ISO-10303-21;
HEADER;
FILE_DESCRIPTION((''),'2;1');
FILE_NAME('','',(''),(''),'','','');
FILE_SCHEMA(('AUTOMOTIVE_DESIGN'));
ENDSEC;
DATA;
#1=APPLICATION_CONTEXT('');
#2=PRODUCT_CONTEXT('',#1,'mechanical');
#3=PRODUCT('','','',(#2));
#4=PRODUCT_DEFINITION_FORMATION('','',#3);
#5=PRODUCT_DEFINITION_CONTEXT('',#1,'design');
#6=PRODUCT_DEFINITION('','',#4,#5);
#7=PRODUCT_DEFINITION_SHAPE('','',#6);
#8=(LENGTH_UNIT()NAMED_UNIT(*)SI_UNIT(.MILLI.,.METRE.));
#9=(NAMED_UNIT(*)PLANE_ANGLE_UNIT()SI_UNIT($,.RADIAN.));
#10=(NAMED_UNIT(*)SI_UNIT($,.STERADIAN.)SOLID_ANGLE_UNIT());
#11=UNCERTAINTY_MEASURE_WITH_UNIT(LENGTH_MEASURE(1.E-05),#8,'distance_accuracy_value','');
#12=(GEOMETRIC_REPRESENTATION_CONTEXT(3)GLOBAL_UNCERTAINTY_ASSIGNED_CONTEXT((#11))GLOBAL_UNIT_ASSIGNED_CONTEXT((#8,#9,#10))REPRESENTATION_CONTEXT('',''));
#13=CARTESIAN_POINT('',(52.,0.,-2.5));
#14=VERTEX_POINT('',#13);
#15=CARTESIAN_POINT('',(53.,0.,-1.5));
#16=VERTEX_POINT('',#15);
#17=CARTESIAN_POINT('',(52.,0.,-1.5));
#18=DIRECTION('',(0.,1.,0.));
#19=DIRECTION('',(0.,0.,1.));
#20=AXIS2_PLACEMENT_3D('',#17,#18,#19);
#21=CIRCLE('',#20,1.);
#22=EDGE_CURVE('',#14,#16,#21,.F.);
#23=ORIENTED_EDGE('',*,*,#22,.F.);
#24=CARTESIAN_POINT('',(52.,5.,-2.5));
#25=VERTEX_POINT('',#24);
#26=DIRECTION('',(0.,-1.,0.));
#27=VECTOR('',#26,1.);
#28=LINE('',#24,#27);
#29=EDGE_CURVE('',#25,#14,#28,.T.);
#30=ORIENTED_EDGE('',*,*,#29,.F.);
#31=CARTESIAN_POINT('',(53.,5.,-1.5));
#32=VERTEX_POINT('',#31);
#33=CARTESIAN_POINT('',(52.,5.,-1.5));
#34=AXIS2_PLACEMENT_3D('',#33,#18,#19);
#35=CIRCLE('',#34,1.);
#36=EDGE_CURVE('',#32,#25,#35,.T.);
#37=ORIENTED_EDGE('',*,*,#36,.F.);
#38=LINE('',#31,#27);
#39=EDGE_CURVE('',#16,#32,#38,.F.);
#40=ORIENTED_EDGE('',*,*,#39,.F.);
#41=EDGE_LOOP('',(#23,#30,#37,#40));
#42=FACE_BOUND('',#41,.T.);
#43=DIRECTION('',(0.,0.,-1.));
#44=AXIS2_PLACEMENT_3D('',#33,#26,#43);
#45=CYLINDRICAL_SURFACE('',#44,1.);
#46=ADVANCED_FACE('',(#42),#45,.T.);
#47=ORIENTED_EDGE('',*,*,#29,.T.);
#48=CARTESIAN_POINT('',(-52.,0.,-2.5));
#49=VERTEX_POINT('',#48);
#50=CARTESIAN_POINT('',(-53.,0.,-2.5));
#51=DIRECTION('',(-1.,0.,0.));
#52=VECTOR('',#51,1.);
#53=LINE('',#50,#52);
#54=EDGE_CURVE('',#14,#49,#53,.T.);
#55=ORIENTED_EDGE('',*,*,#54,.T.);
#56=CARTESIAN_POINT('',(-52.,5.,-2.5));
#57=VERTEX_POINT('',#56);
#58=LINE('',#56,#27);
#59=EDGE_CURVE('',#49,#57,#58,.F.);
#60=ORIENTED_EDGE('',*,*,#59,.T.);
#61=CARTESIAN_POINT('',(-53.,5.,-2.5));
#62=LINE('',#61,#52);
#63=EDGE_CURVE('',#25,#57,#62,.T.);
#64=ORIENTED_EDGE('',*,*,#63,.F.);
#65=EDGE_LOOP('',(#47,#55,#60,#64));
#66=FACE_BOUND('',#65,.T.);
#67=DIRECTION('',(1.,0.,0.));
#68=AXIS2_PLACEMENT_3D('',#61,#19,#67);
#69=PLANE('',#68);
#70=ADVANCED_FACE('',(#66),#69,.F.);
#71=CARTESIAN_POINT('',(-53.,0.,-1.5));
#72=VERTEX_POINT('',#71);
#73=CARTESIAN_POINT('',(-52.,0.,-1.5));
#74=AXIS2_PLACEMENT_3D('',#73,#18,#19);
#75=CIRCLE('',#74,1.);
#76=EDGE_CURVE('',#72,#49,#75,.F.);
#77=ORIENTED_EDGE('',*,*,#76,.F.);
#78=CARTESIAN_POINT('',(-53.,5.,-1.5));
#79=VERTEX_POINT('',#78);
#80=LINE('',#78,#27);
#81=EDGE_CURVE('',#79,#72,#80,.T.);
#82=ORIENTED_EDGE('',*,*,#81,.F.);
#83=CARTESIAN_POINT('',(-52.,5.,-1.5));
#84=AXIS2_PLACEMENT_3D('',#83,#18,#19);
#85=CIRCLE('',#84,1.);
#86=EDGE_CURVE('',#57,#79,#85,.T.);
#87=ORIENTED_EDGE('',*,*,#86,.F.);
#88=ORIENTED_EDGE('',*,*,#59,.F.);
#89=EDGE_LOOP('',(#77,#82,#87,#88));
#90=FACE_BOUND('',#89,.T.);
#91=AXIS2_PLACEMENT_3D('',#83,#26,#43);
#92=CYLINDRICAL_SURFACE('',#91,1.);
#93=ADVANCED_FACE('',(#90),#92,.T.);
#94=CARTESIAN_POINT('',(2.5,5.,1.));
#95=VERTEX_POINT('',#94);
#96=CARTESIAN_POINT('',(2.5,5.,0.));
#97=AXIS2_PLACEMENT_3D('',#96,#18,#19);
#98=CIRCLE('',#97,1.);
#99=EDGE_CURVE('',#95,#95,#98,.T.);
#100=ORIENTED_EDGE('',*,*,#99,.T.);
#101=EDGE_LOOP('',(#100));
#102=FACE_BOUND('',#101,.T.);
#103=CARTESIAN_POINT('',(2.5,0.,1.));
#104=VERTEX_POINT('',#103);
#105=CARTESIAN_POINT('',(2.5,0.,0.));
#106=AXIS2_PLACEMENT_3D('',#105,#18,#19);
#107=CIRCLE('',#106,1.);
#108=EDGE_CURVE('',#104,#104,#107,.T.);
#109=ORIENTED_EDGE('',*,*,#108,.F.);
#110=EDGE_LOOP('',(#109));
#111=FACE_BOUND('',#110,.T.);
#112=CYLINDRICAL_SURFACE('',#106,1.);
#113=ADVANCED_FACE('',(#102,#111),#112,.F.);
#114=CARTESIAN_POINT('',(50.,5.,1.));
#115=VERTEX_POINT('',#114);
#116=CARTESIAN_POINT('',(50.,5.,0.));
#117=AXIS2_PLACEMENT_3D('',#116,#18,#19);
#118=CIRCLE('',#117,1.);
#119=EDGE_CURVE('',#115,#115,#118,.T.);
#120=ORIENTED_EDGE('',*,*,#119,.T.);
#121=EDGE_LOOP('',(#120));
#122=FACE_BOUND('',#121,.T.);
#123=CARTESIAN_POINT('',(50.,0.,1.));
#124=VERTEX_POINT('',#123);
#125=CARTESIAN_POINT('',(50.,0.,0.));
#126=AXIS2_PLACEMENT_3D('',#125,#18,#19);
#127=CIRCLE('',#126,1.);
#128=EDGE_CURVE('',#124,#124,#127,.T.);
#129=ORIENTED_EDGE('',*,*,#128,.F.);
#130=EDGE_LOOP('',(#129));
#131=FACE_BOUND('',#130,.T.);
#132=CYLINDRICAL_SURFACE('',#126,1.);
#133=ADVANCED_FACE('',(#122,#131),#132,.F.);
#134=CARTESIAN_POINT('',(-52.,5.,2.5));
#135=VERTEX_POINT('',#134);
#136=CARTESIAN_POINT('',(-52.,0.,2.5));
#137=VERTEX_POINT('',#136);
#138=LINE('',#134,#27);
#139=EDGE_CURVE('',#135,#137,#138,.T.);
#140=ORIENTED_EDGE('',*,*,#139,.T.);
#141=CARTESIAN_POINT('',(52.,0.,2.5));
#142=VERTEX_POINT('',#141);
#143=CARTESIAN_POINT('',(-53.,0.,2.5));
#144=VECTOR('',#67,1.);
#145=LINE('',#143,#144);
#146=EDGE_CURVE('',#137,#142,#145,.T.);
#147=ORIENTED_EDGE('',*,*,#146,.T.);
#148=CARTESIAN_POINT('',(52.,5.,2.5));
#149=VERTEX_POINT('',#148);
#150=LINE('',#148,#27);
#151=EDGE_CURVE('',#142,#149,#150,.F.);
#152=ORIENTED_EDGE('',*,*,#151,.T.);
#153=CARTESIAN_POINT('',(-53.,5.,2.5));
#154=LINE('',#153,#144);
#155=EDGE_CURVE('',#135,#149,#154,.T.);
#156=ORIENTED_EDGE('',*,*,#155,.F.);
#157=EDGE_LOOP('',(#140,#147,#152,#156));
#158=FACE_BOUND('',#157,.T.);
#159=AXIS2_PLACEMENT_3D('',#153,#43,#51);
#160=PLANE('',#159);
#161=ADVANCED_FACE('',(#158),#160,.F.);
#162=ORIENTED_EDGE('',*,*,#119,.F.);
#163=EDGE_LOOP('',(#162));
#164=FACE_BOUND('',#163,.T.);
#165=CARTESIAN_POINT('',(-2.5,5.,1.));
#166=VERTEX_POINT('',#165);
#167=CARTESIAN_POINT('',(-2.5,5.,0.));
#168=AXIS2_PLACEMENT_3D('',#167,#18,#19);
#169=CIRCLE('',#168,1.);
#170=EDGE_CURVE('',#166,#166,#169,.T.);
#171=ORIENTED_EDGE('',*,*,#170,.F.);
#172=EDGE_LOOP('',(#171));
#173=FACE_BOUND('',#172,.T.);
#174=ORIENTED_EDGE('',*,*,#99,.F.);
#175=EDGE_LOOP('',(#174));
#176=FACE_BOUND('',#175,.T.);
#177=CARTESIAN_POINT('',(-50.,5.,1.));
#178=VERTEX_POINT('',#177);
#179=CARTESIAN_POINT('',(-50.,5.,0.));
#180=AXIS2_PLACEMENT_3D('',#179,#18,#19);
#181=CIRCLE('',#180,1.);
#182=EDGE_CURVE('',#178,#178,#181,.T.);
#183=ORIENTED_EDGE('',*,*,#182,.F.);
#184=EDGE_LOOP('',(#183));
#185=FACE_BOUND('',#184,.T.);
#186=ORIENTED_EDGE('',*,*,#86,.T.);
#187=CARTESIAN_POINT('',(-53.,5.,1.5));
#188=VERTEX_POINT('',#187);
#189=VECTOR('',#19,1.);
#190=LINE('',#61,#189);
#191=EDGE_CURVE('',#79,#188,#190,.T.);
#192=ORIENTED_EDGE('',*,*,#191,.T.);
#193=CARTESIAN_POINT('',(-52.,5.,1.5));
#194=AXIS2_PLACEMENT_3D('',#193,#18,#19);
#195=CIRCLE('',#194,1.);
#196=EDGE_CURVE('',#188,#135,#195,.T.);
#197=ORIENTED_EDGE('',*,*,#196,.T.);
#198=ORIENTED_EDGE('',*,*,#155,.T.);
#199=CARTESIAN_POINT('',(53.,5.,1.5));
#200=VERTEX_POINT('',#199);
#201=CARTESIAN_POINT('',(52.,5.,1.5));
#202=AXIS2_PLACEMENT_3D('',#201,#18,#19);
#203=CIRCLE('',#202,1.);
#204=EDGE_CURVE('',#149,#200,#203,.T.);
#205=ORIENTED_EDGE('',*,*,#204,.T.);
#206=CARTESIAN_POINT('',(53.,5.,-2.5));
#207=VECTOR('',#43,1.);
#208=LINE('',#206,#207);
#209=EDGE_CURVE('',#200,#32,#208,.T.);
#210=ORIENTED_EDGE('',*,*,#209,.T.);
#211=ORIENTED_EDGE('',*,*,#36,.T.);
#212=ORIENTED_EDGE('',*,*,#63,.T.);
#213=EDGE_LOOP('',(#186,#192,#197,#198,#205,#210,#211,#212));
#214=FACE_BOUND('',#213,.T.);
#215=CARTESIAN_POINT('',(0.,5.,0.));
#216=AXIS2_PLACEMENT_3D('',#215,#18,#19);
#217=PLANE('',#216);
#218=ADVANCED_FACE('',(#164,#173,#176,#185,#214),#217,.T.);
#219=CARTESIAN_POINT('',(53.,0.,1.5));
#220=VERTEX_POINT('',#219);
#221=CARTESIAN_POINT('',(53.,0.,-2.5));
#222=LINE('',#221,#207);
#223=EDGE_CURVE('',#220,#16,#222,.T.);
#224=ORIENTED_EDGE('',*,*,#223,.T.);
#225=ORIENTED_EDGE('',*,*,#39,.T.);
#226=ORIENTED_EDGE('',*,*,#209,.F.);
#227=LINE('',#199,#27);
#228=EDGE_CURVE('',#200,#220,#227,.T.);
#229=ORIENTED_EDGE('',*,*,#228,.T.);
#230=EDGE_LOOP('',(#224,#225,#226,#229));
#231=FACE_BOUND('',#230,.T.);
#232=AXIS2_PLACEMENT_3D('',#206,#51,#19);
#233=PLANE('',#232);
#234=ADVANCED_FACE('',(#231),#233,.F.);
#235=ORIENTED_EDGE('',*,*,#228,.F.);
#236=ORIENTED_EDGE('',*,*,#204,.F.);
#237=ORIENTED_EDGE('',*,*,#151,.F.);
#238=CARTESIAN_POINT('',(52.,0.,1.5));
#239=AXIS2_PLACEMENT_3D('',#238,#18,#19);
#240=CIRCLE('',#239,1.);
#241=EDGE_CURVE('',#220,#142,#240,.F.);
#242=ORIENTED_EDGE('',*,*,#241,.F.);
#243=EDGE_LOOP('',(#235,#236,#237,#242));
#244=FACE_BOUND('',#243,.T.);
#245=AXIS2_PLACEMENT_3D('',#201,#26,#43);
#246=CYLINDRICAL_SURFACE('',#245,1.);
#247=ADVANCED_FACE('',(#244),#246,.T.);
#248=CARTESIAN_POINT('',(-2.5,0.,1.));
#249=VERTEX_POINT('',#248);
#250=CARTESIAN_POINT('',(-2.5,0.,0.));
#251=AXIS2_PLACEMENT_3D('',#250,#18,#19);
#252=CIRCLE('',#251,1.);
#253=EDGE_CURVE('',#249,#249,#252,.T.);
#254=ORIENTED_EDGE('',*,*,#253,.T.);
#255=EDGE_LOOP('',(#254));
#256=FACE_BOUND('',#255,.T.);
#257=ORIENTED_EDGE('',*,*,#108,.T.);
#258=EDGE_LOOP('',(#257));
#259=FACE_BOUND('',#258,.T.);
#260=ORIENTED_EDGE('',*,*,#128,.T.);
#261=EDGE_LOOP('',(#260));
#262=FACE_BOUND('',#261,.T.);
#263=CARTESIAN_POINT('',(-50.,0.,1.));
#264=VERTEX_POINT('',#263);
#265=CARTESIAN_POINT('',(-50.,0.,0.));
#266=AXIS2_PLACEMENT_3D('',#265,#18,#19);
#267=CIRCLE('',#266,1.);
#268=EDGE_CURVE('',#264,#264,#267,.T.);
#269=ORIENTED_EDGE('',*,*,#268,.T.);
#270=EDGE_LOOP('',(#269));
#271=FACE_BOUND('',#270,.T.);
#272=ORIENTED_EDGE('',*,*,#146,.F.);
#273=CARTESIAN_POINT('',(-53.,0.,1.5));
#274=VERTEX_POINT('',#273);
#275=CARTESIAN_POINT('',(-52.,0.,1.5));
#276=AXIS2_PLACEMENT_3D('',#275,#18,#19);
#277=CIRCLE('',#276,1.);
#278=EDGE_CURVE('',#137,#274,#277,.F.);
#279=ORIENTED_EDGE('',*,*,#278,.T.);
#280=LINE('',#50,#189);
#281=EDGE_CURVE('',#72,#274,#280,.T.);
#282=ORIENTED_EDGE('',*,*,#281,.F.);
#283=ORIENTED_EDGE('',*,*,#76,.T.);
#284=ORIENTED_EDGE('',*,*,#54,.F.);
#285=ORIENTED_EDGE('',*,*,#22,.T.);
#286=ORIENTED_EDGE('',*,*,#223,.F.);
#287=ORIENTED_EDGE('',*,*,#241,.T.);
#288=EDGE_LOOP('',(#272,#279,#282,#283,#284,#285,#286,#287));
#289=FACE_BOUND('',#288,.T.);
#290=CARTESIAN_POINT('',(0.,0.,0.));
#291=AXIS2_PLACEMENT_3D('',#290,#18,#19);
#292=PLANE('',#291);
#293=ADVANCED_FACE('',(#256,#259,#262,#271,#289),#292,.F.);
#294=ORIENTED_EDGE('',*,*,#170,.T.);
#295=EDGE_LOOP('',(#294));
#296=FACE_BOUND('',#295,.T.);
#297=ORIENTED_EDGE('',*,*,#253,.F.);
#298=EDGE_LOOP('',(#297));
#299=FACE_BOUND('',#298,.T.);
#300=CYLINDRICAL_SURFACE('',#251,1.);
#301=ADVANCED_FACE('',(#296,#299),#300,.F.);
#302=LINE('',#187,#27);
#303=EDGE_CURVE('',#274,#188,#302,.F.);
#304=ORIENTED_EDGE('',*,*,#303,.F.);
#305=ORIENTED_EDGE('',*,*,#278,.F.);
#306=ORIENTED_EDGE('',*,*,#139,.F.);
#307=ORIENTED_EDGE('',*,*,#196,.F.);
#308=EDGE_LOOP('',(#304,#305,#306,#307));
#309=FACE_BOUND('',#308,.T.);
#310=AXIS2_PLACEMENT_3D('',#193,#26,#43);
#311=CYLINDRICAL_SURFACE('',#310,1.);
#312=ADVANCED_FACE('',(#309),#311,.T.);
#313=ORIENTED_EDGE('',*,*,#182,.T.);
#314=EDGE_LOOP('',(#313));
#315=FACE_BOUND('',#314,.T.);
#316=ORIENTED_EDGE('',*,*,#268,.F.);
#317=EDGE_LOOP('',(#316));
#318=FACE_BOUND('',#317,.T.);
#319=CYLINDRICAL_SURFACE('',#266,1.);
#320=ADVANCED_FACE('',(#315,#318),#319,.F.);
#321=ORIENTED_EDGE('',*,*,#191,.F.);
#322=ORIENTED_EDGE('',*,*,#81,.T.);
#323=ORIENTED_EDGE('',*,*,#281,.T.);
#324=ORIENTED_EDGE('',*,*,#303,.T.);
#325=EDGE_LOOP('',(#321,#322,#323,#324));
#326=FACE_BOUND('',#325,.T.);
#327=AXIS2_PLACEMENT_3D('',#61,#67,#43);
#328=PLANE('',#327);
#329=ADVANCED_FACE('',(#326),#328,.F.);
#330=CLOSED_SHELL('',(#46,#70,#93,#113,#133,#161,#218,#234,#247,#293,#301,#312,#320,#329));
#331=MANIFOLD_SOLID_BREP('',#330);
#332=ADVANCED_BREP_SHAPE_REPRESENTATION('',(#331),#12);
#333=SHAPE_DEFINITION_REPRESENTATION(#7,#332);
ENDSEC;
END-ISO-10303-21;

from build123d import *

# Parameters (mm, degrees)
SKETCH1_W           = 106
SKETCH1_H           = 5
BOSS_EXTRUDE1_DEPTH = 5
FILLET1_R           = 1
FILLET2_R           = 1
SKETCH2_R           = 1
CUT_EXTRUDE1_DEPTH  = 54.293995909


with BuildPart() as part:
    # Sketch1 → Boss-Extrude1 (new body)
    with BuildSketch(Plane(origin=(0, 0, 0), x_dir=(1, 0, 0), z_dir=(0, 1, 0))):
        Rectangle(SKETCH1_W, SKETCH1_H)
    extrude(amount=BOSS_EXTRUDE1_DEPTH)

    # Fillet1
    fillet1_edges = [part.edges().sort_by_distance(p)[0] for p in [
        (-53, 2.5, 2.5),
        (-53, 2.5, -2.5),
    ]]
    fillet(fillet1_edges, radius=FILLET1_R)

    # Fillet2
    fillet2_edges = [part.edges().sort_by_distance(p)[0] for p in [
        (53, 2.5, 2.5),
        (53, 2.5, -2.5),
    ]]
    fillet(fillet2_edges, radius=FILLET2_R)

    # Sketch2 → Cut-Extrude1 (cut, through all)
    with BuildSketch(Plane(origin=(0, 5, 0), x_dir=(1, 0, 0), z_dir=(0, 1, 0))):
        with Locations(Location((-50, 0, 0), (0, 0, 270))):
            Circle(SKETCH2_R)
        with Locations(Location((50, 0, 0), (0, 0, 270))):
            Circle(SKETCH2_R)
        with Locations(Location((-2.5, 0, 0), (0, 0, 270))):
            Circle(SKETCH2_R)
        with Locations(Location((2.5, 0, 0), (0, 0, 270))):
            Circle(SKETCH2_R)
    extrude(amount=-CUT_EXTRUDE1_DEPTH, mode=Mode.SUBTRACT)


solid = part.part
